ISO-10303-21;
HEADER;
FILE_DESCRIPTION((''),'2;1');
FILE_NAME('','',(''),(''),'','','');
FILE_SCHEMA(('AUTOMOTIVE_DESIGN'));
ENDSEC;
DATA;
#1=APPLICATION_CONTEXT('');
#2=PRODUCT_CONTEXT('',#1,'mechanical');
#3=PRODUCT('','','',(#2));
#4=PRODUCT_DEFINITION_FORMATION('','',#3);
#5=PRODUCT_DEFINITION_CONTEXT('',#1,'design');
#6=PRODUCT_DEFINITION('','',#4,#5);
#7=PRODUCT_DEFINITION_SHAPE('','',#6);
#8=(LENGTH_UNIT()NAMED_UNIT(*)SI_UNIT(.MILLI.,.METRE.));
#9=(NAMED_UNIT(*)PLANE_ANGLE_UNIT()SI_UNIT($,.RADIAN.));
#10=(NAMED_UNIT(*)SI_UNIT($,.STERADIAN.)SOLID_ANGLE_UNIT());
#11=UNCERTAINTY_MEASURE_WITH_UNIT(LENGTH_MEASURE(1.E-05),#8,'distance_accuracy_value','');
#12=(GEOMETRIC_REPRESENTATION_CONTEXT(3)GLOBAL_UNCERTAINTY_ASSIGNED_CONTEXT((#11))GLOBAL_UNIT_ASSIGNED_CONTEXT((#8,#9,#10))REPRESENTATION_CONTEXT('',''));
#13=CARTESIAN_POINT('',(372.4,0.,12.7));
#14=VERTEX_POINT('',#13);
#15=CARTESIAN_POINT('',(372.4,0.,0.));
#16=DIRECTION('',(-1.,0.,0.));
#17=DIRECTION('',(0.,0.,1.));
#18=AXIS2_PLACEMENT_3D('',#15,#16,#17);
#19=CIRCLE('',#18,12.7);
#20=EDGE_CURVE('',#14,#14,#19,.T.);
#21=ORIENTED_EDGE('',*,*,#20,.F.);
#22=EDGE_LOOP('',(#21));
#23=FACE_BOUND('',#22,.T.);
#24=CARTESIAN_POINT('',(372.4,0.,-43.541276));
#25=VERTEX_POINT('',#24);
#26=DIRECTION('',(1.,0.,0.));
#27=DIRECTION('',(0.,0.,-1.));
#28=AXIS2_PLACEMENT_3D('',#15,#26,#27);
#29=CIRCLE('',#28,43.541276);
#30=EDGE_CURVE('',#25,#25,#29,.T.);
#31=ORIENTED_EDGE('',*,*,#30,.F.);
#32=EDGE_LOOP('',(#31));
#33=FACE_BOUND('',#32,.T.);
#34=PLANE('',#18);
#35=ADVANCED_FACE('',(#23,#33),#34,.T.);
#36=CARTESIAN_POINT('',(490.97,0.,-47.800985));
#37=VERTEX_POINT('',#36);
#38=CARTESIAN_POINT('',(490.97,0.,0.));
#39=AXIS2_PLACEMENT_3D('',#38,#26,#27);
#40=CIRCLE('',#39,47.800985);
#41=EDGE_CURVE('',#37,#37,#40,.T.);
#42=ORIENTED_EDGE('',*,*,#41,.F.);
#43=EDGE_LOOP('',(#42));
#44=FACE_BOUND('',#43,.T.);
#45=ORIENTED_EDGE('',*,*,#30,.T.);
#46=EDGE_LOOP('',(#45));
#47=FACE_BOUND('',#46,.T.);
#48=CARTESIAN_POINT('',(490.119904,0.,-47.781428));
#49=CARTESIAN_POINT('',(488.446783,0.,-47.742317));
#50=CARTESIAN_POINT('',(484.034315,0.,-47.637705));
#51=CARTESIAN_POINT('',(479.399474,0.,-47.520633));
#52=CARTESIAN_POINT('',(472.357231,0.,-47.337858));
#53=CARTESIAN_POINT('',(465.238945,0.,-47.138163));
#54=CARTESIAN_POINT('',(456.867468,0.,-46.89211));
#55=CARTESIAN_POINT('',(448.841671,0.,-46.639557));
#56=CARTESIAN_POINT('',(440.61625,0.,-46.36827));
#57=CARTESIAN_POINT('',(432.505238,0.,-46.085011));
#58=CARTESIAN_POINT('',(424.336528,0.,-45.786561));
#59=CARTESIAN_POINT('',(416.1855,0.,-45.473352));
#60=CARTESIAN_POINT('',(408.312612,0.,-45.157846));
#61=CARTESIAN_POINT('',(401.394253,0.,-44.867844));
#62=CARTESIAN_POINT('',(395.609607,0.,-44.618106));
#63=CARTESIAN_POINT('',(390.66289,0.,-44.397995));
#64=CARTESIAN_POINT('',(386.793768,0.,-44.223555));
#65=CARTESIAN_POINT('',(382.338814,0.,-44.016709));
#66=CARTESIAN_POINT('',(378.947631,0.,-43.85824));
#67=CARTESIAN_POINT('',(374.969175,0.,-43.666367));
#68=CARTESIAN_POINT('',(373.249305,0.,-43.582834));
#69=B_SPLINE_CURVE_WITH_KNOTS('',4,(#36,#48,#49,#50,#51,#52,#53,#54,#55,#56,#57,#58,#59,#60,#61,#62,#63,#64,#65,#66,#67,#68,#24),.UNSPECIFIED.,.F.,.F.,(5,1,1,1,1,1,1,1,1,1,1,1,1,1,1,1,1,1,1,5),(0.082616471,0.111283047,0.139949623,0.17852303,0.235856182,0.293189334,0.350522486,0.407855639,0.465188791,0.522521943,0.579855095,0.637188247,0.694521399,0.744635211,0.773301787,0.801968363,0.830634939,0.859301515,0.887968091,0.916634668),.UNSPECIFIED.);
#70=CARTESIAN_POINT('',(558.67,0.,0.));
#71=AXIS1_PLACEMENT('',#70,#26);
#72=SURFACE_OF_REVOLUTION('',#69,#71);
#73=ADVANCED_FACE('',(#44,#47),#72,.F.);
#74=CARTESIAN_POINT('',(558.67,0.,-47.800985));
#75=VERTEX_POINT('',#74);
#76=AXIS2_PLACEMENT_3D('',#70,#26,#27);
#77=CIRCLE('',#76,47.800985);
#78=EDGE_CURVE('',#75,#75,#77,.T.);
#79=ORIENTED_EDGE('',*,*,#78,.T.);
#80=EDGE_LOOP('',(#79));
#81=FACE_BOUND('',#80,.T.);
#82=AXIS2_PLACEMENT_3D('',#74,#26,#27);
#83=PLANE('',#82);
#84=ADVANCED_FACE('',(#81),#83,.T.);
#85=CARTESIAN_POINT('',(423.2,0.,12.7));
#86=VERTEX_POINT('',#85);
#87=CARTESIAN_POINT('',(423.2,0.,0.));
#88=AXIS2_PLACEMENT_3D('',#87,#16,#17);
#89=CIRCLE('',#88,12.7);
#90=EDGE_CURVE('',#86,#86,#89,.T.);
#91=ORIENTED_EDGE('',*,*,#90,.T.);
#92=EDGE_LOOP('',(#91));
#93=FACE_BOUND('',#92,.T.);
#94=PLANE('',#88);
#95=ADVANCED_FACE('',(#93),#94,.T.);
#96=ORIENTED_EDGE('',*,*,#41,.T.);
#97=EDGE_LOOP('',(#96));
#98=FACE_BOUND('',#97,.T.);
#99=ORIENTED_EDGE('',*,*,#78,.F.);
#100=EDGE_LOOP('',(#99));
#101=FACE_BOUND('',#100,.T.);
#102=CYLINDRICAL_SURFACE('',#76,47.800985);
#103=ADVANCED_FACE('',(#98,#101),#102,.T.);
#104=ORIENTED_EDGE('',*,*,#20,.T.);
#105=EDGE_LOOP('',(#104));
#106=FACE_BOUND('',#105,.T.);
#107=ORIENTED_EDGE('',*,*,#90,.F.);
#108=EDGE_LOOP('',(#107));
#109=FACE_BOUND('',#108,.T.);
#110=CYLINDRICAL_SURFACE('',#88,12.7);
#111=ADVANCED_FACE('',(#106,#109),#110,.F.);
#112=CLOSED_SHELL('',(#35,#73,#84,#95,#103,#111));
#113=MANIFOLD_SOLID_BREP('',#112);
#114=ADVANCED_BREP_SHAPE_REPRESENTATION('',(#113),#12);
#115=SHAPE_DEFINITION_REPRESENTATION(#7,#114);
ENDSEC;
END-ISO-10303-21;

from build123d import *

# Parameters (mm, degrees)
SKETCH2_R          = 12.7
CUT_EXTRUDE1_DEPTH = 50.8


with BuildPart() as part:
    # Sketch1 → Revolve1 (revolve)
    with BuildSketch(Plane(origin=(0, 0, 0), x_dir=(1, 0, 0), z_dir=(0, 1, 0))):
        with BuildLine():
            Line((490.970000001, 47.8009847), (558.67, 47.8009847))
            Line((558.67, 47.8009847), (558.67, 0))
            Line((558.67, 0), (372.400000001, 0))
            Line((372.400000001, 0), (372.400000001, 43.54127618))
            add(Edge.make_bspline(
                [(372.400000001, 43.54127618), (373.249304538, 43.582834208), (374.969174697, 43.666367025), (378.947630502, 43.85823985), (382.338814459, 44.016709221), (386.793767836, 44.223555396), (390.662889883, 44.397994639), (395.609607152, 44.618105901), (401.394253179, 44.867843931), (408.312611991, 45.157846051), (416.185500171, 45.473351627), (424.336527511, 45.786561408), (432.505238251, 46.085011131), (440.616250239, 46.36827021), (448.841670657, 46.639557014), (456.867468273, 46.892110486), (465.238945097, 47.138162557), (472.357231345, 47.337858443), (479.39947414, 47.52063336), (484.034315216, 47.637705054), (488.446782872, 47.742316661), (490.119904256, 47.781427676), (490.970000001, 47.8009847)],
                knots=[0.082616471, 0.082616471, 0.082616471, 0.082616471, 0.082616471, 0.111283047, 0.139949623, 0.168616199, 0.197282775, 0.225949351, 0.254615927, 0.304729739, 0.362062891, 0.419396043, 0.476729195, 0.534062348, 0.5913955, 0.648728652, 0.706061804, 0.763394956, 0.820728108, 0.859301516, 0.887968092, 0.916634668, 0.916634668, 0.916634668, 0.916634668, 0.916634668], degree=4))
        make_face()
    revolve(axis=Axis((558.67, 0, 0), (-1, 0, 0)))

    # Sketch2 → Cut-Extrude1 (cut)
    with BuildSketch(Plane.ZY.offset(-372.400000001)):
        Circle(SKETCH2_R)
    extrude(amount=-CUT_EXTRUDE1_DEPTH, mode=Mode.SUBTRACT)


solid = part.part
